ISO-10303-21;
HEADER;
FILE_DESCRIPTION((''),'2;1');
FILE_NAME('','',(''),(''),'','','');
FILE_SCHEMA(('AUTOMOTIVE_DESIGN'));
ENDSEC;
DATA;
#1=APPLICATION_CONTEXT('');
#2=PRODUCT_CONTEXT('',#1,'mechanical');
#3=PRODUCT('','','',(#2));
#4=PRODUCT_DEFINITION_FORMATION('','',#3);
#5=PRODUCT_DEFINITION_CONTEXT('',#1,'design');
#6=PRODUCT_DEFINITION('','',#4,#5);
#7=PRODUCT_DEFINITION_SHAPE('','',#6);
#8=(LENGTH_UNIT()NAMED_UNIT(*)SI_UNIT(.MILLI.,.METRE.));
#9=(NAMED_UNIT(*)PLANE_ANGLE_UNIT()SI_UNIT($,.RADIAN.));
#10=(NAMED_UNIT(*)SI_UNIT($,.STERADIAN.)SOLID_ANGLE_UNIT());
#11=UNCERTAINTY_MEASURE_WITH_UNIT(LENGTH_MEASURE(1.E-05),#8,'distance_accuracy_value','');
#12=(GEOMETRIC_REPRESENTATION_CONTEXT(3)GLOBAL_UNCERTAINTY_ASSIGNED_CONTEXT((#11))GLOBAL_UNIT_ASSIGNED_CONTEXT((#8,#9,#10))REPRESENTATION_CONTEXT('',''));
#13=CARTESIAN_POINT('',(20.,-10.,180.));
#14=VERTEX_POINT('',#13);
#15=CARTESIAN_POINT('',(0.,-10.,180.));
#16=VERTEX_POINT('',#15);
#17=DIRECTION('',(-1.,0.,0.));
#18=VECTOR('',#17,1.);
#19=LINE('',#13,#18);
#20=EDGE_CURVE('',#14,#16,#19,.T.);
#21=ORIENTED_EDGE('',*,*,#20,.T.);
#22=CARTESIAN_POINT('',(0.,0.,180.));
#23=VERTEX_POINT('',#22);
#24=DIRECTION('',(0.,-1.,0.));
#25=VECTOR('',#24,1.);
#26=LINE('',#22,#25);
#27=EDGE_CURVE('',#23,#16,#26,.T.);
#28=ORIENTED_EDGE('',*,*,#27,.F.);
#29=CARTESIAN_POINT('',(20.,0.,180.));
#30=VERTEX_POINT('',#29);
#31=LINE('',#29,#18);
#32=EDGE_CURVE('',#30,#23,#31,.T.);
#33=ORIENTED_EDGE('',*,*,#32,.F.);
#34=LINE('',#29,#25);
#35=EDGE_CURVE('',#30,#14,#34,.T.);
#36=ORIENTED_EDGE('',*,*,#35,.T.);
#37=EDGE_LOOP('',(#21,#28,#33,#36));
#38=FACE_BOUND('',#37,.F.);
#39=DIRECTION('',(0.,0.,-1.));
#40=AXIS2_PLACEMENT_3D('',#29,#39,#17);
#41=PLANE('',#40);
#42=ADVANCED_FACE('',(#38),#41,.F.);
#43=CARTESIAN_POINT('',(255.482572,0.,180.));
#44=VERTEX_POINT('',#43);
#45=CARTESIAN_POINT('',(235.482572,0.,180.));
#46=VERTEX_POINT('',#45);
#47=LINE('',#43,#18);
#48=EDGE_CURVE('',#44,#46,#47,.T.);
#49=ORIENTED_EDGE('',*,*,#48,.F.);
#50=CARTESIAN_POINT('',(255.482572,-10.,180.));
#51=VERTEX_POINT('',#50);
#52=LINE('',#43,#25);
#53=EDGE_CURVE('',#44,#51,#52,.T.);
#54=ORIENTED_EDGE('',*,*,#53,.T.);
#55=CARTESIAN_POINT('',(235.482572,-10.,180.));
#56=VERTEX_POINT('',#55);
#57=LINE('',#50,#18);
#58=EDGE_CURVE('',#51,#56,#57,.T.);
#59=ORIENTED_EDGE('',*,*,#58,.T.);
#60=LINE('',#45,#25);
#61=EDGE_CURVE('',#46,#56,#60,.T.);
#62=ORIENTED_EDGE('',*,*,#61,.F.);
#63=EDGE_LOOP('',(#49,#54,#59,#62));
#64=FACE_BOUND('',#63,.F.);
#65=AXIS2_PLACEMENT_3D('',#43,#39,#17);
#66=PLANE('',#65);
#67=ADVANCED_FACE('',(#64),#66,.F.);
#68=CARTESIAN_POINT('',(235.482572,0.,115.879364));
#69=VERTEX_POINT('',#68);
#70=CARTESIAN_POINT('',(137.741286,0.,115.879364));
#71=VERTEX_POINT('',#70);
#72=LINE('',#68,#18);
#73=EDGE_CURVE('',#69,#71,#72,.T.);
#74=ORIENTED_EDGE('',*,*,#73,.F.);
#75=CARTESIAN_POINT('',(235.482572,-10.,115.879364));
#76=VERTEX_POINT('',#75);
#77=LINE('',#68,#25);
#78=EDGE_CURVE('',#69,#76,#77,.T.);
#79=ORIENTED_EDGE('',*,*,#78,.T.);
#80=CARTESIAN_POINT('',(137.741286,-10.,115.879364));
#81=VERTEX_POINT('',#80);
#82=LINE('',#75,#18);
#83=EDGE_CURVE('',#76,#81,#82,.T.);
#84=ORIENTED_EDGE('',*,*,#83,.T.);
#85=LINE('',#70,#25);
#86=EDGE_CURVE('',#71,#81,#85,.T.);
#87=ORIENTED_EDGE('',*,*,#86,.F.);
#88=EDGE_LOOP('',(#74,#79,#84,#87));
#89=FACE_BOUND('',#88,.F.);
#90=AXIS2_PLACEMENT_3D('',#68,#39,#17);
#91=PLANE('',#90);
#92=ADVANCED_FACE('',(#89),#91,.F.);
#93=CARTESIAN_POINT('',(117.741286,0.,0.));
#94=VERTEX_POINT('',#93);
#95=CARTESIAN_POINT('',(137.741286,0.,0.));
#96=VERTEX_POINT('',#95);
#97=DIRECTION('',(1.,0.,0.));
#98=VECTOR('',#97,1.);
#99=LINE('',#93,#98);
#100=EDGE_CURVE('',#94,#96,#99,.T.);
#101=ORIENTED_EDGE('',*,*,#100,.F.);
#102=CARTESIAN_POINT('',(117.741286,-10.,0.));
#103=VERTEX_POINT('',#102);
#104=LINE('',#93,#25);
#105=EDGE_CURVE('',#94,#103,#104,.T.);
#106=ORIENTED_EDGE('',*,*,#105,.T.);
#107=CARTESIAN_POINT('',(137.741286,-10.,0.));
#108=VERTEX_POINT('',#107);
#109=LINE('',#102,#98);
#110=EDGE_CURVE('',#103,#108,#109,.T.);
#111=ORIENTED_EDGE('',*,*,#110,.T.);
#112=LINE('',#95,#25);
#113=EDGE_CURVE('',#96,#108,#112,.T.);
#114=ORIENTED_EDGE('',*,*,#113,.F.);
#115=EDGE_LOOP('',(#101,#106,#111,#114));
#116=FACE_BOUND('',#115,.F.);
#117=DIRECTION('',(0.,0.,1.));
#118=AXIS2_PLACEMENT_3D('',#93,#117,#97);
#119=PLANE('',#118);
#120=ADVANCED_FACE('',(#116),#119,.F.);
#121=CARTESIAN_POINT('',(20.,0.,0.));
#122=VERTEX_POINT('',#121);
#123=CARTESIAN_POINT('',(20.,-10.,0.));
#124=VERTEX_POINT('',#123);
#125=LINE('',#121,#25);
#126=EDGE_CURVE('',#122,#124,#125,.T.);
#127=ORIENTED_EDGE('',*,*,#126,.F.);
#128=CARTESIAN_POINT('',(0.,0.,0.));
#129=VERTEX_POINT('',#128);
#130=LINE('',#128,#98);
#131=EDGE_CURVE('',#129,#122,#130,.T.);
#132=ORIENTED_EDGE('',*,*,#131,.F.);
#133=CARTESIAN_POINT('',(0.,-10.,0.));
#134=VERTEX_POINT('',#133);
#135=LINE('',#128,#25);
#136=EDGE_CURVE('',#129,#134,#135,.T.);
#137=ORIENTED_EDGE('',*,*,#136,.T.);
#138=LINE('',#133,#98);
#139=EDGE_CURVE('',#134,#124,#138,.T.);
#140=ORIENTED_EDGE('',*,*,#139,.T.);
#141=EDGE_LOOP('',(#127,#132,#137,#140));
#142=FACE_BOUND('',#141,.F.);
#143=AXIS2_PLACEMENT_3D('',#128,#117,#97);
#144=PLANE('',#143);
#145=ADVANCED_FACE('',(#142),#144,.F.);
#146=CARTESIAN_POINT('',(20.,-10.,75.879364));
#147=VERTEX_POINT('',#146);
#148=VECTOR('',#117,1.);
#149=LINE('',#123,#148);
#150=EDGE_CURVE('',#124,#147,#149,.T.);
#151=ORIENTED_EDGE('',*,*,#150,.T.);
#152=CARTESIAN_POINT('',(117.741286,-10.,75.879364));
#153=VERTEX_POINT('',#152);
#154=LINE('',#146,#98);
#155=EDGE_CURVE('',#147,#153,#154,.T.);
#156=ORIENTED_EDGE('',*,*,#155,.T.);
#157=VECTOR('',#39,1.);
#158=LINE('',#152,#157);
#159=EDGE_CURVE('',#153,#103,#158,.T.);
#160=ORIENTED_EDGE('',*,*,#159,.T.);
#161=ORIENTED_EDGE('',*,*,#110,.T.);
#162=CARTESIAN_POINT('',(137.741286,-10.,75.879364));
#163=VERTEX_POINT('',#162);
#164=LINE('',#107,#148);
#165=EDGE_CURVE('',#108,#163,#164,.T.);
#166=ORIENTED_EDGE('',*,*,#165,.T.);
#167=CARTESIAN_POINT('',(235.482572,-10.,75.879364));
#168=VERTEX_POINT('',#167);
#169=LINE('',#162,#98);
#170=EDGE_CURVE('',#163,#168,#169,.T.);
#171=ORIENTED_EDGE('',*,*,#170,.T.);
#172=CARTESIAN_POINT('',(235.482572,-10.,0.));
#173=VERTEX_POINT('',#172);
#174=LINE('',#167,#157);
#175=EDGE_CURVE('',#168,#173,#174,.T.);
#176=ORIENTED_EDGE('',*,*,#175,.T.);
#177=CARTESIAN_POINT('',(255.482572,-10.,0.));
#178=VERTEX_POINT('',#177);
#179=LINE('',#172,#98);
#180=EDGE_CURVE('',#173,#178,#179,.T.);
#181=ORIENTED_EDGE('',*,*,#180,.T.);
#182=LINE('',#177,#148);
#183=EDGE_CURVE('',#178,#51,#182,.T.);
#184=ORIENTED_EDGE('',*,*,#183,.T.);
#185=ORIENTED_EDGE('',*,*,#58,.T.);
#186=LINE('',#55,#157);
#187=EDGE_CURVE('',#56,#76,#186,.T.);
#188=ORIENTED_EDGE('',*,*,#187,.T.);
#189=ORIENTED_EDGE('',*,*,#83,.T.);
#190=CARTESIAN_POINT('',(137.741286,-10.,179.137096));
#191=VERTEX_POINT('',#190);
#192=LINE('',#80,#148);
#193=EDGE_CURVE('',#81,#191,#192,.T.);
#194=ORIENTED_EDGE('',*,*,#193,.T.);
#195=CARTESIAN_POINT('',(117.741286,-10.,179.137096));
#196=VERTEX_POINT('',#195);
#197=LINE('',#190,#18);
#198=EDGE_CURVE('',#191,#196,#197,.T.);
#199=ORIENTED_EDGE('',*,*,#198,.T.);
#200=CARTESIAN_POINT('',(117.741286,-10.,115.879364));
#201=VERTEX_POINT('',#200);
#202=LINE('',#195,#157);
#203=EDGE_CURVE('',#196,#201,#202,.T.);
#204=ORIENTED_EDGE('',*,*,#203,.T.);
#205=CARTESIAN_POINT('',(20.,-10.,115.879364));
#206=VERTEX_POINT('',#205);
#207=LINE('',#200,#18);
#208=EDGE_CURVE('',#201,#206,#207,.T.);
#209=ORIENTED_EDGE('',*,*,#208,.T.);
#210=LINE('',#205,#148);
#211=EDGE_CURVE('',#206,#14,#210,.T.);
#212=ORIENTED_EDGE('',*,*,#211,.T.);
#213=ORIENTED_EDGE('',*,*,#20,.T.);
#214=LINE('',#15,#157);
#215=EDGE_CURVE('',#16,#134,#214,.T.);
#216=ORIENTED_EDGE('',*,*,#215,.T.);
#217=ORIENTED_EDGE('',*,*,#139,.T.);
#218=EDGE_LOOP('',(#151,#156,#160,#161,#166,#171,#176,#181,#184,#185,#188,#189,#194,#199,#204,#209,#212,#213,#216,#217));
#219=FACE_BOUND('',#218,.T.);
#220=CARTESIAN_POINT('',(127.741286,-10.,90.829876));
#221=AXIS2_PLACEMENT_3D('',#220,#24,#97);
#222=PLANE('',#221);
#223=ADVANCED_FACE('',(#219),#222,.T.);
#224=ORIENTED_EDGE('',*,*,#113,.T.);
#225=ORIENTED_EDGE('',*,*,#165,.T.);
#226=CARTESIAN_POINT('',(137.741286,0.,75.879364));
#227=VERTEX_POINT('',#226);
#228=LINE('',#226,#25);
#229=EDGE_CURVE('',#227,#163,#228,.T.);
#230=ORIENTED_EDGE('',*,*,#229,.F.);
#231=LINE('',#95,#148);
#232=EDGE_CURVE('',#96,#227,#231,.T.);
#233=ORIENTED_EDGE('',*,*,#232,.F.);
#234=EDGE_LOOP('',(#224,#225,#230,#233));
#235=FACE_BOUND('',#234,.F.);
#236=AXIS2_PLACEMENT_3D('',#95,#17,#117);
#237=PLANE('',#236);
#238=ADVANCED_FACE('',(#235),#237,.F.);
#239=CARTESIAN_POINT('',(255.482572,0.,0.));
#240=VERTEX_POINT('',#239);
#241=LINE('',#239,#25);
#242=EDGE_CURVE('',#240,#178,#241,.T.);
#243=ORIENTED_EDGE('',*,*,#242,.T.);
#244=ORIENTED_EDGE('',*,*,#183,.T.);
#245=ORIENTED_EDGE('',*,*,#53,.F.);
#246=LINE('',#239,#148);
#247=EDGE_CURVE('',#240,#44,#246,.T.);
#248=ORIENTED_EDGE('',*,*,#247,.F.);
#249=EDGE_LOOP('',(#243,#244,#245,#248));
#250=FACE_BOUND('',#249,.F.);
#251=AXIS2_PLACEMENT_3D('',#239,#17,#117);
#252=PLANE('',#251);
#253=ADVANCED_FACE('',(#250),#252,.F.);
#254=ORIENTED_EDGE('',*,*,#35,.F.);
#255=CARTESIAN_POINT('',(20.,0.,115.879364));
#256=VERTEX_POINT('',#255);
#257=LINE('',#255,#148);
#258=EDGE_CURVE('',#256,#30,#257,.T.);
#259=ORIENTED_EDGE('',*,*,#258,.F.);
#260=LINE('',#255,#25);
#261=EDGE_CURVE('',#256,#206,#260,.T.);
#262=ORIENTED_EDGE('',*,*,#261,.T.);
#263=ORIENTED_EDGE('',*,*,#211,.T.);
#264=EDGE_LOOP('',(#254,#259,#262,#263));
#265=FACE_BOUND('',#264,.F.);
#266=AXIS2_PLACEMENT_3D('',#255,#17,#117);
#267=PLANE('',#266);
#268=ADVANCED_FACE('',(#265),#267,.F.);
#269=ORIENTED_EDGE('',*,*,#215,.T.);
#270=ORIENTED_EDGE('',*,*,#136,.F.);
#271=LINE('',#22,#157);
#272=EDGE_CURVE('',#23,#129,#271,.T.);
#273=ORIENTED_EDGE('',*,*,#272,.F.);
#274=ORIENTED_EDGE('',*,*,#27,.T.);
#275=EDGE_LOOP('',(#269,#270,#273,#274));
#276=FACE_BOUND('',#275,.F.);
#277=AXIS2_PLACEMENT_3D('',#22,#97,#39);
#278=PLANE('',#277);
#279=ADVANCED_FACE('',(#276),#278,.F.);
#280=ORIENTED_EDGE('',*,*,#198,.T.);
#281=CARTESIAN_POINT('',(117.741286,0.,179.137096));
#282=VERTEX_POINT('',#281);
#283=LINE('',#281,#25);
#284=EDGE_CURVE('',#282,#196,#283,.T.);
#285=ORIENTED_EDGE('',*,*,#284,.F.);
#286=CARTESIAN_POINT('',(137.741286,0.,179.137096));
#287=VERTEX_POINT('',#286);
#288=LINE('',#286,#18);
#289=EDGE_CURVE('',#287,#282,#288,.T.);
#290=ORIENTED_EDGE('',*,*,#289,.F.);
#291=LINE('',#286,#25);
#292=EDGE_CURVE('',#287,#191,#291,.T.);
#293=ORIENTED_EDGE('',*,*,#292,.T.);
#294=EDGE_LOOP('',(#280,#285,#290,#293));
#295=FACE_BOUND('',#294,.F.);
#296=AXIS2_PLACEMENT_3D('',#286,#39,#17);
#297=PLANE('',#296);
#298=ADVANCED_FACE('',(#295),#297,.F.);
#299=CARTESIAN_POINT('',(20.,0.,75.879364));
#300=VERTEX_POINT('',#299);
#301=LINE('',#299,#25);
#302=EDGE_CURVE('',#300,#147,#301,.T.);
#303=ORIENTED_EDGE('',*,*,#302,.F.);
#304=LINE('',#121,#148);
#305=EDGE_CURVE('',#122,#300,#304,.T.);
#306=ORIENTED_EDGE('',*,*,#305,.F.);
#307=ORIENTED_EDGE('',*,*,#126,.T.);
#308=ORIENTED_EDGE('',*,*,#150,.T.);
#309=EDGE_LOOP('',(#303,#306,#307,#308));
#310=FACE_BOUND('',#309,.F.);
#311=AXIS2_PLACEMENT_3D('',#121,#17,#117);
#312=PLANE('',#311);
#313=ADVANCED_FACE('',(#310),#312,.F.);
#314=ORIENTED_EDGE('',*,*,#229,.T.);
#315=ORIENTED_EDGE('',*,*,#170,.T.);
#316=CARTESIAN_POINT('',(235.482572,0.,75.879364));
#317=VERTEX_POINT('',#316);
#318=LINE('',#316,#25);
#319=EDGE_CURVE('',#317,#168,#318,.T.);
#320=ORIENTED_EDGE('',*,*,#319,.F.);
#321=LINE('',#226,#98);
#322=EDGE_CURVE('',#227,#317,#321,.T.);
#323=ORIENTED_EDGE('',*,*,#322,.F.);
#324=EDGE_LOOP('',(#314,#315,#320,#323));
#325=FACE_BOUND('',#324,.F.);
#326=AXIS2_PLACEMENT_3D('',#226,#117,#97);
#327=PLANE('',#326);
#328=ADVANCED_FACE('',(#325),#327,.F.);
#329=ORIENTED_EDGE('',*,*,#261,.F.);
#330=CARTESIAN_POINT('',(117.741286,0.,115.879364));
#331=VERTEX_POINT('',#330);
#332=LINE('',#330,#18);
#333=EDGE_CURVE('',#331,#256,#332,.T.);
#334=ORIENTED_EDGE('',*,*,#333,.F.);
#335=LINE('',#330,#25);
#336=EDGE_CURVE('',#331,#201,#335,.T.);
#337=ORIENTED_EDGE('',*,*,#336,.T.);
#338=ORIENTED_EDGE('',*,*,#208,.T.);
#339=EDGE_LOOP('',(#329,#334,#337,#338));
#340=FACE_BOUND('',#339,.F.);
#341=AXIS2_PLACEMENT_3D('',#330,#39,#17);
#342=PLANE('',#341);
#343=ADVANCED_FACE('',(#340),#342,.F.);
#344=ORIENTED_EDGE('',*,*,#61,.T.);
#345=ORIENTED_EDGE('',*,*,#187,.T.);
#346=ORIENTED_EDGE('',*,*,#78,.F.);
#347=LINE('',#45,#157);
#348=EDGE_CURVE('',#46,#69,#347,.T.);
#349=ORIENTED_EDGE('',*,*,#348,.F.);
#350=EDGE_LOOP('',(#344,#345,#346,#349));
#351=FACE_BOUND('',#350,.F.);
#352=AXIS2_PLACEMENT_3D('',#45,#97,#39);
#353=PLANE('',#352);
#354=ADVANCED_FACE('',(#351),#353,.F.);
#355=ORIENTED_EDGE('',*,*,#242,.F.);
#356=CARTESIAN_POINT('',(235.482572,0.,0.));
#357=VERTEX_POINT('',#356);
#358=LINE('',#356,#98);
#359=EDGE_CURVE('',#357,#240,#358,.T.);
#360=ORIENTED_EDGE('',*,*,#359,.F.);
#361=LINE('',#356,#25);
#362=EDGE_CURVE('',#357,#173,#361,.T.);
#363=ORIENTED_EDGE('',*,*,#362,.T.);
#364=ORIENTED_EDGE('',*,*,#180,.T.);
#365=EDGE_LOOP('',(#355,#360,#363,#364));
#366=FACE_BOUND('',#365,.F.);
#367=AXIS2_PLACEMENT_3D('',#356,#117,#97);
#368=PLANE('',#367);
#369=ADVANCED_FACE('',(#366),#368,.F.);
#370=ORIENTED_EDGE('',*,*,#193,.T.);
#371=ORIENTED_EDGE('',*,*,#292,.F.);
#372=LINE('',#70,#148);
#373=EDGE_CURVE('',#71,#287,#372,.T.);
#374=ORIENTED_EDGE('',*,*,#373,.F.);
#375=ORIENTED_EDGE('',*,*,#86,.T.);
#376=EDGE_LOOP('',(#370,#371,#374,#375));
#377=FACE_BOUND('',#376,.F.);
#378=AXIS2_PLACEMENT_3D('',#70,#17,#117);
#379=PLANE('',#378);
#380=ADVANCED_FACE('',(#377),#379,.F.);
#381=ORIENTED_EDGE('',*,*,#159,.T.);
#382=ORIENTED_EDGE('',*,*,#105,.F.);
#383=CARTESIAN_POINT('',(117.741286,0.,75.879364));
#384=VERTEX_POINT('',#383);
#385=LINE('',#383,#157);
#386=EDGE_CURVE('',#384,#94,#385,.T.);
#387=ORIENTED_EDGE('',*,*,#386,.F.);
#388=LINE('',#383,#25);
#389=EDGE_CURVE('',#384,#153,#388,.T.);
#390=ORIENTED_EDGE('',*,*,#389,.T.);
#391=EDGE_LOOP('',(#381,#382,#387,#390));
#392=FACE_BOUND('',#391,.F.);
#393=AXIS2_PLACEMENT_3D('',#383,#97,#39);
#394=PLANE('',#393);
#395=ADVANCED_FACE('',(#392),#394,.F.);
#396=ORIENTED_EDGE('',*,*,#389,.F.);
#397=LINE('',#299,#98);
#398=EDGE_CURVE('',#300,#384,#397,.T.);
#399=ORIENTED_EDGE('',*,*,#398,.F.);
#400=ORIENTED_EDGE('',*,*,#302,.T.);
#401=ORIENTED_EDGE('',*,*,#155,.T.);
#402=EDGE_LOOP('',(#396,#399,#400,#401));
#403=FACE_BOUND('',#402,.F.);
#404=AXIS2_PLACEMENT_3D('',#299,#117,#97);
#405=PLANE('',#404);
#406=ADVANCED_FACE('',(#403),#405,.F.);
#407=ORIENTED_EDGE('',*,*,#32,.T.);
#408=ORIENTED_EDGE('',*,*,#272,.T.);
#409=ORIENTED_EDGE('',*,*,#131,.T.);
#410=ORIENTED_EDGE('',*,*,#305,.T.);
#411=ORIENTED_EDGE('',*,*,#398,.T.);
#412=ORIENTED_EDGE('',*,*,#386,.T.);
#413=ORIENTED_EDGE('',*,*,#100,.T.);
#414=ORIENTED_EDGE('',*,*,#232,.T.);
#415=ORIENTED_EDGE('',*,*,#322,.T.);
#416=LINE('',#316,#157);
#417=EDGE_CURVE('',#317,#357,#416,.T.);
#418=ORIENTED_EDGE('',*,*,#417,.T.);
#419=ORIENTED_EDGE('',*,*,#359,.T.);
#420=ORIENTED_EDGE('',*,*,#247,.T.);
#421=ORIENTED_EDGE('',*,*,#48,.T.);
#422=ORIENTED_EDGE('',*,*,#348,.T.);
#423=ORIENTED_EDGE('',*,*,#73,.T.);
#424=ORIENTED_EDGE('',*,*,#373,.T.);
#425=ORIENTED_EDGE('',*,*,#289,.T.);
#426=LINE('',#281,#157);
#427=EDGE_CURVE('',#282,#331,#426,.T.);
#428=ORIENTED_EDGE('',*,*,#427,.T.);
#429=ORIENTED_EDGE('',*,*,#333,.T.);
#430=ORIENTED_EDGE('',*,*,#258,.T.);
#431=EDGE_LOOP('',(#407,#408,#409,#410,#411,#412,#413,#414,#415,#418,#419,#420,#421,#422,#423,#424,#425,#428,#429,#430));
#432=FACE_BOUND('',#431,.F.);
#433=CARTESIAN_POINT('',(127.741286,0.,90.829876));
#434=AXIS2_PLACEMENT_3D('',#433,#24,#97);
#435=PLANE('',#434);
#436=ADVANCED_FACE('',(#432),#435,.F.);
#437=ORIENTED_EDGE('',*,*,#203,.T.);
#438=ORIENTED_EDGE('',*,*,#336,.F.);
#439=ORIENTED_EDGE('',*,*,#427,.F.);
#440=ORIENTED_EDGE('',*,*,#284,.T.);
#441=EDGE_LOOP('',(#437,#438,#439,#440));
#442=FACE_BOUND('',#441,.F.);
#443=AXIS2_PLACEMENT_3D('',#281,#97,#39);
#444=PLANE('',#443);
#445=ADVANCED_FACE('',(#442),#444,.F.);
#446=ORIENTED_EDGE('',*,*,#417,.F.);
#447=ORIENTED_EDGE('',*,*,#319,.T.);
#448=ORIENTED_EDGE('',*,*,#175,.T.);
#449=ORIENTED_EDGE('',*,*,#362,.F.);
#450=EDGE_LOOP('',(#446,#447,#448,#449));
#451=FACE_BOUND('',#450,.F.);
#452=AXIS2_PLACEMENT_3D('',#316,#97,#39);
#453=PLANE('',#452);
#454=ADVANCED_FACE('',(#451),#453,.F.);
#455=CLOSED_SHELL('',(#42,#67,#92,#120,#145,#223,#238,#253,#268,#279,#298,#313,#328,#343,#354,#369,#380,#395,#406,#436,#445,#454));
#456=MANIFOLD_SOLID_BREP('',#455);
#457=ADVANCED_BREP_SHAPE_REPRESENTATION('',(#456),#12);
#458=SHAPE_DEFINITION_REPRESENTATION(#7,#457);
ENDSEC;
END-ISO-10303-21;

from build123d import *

# Parameters (mm, degrees)
F1_DEPTH = 10


with BuildPart() as f1:
    # F0 (on Front) → F1 (new body)
    with BuildSketch(Plane.XZ):
        Polygon((0, 90), (0, 0), (20, 0), (20, 30), (20, 75.879364), (117.741286, 75.879364), (117.741286, 0), (137.741286, 0), (137.741286, 75.879364), (235.482572, 75.879364), (235.482572, 30), (235.482572, 0), (255.482572, 0), (255.482572, 180), (235.482572, 180), (235.482572, 115.879364), (137.741286, 115.879364), (137.741286, 179.137096), (127.741286, 179.137096), (117.741286, 179.137096), (117.741286, 115.879364), (20, 115.879364), (20, 180), (0, 180), (0, 115.879364), align=None)
    extrude(amount=F1_DEPTH)


solid = f1.part
